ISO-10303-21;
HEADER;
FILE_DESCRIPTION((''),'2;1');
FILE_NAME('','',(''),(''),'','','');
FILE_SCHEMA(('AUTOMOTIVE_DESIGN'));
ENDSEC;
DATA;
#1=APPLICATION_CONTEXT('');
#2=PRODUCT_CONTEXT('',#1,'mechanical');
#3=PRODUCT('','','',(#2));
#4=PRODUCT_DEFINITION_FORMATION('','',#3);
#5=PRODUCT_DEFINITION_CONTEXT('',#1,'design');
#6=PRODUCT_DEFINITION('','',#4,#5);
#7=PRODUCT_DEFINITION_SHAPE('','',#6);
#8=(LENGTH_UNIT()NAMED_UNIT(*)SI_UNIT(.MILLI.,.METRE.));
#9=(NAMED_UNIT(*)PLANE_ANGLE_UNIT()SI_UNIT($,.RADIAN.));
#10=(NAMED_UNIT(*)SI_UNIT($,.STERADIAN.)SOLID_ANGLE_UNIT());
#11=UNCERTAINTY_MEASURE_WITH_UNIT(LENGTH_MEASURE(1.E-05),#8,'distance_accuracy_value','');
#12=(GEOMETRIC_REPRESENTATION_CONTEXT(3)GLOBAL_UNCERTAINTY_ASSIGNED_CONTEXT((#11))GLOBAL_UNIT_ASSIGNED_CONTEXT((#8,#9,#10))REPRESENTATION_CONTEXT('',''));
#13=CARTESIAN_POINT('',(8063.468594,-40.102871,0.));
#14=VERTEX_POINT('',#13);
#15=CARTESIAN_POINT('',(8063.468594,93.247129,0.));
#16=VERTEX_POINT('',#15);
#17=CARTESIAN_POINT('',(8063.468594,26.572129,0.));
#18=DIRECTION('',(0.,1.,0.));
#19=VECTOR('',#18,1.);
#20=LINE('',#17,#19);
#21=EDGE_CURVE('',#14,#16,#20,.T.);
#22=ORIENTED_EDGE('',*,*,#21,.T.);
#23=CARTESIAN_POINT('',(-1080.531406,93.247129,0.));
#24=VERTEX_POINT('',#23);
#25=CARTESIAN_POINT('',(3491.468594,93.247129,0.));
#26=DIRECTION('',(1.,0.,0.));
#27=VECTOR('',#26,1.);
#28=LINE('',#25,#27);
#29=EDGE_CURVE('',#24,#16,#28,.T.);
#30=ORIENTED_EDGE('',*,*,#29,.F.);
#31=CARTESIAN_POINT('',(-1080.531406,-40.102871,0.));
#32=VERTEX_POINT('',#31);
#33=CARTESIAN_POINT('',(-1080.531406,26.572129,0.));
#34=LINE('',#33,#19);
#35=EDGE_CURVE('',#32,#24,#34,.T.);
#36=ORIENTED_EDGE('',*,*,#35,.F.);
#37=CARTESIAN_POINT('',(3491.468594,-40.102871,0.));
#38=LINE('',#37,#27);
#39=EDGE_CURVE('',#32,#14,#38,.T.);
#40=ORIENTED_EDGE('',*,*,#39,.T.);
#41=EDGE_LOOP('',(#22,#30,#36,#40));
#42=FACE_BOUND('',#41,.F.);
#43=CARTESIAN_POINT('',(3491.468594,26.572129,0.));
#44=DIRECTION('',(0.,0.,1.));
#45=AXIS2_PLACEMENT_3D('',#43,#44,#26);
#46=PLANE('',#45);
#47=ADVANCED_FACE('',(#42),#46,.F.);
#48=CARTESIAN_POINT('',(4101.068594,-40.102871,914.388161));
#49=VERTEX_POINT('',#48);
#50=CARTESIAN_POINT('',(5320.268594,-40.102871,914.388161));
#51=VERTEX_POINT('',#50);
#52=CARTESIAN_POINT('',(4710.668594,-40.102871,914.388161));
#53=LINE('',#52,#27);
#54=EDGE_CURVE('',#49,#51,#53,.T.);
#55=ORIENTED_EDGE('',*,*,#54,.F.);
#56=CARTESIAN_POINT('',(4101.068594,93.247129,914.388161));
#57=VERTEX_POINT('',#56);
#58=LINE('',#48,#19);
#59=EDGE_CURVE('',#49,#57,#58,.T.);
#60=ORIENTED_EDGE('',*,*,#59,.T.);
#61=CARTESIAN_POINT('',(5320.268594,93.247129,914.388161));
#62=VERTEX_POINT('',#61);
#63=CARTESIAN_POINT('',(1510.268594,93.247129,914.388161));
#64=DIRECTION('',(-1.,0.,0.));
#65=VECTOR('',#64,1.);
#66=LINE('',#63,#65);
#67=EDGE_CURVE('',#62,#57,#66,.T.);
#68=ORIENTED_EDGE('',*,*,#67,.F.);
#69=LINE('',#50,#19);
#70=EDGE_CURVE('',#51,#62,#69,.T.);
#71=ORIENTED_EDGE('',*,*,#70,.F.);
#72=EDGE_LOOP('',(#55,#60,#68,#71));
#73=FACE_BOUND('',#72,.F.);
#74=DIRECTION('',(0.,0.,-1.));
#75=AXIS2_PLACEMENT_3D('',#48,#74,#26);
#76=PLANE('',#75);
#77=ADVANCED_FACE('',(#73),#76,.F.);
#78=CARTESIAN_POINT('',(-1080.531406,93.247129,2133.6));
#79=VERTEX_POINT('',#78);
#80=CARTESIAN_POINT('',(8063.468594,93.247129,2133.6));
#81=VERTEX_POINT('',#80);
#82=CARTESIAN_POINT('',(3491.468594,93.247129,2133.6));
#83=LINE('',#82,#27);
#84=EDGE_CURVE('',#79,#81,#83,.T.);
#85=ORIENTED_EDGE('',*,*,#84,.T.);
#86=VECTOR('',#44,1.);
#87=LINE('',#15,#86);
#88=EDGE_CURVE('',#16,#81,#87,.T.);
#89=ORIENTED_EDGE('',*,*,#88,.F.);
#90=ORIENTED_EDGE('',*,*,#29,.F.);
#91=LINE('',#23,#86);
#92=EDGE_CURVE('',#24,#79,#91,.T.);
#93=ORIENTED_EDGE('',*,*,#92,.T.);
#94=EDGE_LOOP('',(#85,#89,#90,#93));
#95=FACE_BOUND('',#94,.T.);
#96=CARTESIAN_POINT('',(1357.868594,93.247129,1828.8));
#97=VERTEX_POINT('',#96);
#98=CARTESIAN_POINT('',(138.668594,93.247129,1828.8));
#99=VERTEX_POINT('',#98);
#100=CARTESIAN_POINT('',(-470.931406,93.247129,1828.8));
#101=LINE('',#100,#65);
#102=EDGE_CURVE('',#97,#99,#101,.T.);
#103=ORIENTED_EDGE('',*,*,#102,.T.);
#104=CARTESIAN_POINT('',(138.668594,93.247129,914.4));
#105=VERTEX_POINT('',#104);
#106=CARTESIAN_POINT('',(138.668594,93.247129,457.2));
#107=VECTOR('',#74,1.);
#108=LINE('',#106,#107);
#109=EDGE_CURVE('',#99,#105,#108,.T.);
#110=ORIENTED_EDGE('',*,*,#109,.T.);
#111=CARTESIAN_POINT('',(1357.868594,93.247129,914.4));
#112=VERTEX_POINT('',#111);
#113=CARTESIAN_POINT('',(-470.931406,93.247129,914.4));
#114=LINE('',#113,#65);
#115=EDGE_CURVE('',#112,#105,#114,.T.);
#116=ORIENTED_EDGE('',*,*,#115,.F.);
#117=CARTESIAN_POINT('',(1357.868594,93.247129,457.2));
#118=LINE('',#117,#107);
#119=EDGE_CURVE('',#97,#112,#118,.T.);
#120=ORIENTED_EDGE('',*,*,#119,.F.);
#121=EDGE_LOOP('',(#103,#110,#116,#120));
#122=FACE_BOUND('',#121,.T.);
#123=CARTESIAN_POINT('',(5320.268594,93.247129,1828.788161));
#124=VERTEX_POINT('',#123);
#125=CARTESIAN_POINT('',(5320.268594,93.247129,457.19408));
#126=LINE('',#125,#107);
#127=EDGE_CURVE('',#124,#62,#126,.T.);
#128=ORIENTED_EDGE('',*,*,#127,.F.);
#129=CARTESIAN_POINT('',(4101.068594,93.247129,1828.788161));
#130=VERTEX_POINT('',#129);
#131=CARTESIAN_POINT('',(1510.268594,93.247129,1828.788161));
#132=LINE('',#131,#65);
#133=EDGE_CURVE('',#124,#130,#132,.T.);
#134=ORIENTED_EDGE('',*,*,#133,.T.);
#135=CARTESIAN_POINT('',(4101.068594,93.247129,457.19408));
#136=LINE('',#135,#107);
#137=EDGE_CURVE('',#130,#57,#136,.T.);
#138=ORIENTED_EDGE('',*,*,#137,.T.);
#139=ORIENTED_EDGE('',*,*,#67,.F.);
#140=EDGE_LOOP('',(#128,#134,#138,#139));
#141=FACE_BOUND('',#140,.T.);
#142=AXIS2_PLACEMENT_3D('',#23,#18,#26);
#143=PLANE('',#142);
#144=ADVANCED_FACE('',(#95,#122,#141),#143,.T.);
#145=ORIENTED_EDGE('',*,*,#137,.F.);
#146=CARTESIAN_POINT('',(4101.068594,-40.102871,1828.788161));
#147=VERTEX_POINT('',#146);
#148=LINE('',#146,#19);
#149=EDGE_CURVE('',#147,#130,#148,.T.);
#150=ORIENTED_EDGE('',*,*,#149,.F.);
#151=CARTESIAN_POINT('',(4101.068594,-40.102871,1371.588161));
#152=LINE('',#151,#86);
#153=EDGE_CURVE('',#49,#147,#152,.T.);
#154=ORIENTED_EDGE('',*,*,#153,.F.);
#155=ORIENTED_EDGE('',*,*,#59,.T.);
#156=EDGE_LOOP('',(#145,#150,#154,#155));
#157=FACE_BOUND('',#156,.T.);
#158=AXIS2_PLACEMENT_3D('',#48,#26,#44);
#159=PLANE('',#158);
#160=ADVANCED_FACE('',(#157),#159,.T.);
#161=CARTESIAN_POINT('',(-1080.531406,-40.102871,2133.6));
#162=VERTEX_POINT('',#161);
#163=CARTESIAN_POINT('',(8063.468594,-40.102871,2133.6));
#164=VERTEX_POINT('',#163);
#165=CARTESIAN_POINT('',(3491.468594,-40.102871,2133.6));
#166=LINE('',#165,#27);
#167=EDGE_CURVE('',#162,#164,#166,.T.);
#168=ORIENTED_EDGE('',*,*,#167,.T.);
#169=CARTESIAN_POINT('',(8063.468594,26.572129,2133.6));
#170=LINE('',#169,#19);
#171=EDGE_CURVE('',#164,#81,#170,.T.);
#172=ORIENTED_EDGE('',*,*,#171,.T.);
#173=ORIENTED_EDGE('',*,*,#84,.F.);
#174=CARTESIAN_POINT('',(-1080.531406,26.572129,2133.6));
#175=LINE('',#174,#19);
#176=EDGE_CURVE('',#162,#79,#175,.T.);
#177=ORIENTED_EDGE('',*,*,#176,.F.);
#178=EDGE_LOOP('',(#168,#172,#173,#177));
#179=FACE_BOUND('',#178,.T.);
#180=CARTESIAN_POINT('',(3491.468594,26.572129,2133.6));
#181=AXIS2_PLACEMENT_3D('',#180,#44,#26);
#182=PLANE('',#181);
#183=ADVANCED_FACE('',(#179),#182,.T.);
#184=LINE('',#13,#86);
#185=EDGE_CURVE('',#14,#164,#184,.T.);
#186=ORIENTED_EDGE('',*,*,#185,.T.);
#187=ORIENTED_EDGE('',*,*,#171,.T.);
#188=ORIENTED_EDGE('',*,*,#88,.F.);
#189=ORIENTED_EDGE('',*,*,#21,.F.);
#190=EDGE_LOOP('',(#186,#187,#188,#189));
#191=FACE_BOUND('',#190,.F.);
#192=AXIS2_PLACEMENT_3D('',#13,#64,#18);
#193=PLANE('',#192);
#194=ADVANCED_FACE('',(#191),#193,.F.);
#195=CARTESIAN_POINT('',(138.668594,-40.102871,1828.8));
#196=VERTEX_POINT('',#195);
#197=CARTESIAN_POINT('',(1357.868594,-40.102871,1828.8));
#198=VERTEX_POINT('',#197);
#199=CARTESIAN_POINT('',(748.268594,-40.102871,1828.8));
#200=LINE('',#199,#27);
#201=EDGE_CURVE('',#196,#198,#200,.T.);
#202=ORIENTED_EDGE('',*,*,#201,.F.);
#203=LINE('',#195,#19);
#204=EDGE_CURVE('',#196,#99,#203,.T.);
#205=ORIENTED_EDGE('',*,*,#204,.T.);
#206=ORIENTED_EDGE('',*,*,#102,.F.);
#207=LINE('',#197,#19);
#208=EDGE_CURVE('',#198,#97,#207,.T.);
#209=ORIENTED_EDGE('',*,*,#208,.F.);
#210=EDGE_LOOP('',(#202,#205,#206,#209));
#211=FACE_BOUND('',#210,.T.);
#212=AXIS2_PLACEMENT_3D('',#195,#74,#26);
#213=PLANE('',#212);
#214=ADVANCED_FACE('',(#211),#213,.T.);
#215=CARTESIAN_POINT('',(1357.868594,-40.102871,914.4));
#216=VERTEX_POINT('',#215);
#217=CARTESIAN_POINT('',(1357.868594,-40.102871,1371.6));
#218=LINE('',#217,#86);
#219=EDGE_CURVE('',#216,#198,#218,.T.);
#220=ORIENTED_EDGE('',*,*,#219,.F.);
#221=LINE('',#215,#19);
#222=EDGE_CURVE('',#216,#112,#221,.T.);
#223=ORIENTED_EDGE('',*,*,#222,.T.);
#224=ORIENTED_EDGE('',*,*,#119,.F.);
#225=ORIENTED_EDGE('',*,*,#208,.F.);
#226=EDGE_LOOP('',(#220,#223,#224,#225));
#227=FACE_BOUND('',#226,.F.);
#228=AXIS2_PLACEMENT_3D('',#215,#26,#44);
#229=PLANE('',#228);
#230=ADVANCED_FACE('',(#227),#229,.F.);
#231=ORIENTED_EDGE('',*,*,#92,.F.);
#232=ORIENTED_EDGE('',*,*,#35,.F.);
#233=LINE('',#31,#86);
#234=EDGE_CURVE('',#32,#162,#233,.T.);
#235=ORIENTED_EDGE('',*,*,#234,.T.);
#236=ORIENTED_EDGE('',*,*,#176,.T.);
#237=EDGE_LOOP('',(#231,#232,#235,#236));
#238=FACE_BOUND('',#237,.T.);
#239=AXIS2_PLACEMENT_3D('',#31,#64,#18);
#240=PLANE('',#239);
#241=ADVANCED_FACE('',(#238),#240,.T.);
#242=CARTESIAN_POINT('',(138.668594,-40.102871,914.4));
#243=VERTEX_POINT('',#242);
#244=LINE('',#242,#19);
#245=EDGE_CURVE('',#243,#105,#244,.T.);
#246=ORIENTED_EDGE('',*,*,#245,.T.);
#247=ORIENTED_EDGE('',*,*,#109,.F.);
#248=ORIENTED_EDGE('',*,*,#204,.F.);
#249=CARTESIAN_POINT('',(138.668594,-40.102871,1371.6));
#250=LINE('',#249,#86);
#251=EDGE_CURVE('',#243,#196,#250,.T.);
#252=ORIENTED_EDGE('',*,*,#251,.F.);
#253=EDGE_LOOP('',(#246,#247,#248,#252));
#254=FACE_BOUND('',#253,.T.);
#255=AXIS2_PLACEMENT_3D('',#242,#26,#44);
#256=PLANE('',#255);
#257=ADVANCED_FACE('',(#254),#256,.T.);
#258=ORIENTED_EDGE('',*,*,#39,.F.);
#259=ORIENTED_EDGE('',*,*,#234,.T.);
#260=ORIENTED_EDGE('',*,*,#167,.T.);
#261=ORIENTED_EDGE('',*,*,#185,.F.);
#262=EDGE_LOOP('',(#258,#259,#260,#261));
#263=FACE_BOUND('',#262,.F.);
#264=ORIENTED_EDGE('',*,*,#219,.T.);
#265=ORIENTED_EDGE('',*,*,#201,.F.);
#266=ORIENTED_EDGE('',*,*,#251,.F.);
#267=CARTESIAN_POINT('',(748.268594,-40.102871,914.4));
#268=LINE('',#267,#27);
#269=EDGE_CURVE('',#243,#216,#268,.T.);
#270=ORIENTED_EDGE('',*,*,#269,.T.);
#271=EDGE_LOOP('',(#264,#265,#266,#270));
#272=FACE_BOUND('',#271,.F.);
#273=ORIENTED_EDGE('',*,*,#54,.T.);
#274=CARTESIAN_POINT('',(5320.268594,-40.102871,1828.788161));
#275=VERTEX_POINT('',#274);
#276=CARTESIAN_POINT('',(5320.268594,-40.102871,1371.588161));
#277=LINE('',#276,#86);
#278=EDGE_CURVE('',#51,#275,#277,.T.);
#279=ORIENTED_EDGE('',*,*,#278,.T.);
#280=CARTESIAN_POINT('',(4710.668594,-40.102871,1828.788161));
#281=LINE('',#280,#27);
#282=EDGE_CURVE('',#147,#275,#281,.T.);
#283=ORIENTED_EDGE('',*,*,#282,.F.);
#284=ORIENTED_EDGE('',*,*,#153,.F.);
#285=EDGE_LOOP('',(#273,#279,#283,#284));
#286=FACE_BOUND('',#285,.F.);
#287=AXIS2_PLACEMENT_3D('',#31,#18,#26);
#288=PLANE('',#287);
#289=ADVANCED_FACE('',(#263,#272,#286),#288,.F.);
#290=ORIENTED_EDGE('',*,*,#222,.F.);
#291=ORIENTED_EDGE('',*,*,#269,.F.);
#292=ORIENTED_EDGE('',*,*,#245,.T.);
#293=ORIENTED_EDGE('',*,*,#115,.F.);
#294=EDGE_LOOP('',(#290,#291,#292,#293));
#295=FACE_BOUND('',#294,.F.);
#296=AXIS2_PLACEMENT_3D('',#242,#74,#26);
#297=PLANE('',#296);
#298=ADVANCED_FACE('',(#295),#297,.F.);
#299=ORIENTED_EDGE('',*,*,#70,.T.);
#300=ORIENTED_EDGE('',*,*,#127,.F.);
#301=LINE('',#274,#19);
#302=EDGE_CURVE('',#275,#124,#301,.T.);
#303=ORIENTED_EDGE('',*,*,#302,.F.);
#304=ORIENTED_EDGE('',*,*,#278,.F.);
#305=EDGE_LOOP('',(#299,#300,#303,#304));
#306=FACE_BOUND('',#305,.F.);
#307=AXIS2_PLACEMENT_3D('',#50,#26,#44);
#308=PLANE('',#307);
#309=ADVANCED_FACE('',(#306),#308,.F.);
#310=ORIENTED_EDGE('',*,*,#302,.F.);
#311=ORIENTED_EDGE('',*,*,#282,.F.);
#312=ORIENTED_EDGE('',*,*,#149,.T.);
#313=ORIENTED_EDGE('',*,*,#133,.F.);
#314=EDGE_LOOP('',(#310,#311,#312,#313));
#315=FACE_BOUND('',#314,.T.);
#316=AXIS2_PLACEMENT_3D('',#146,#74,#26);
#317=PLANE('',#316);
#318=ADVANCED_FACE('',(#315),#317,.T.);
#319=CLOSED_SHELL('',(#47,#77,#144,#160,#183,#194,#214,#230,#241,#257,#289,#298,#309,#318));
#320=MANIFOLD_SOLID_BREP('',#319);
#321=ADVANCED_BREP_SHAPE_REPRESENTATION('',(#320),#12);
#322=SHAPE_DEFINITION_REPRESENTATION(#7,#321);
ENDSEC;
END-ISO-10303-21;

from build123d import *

# Parameters (mm, degrees)
F0_W     = 9144
F0_H     = 133.35
F1_DEPTH = 2133.6
F2_W     = 1219.2
F2_H     = 914.4
F3_DEPTH = 203.2


with BuildPart() as f1:
    # F0 (on Top) → F1 (new body)
    with BuildSketch(Plane.XY):
        with Locations((3491.468594, 26.572129)):
            Rectangle(F0_W, F0_H)
    extrude(amount=F1_DEPTH)

    # F2 (on face) → F3 (cut)
    with BuildSketch(Plane.XZ.offset(40.102871)):
        with Locations((748.268594, 1371.6)):
            Rectangle(F2_W, F2_H)
        with Locations((4710.668594, 1371.588161)):
            Rectangle(F2_W, F2_H)
    extrude(amount=-F3_DEPTH, mode=Mode.SUBTRACT)


solid = f1.part
